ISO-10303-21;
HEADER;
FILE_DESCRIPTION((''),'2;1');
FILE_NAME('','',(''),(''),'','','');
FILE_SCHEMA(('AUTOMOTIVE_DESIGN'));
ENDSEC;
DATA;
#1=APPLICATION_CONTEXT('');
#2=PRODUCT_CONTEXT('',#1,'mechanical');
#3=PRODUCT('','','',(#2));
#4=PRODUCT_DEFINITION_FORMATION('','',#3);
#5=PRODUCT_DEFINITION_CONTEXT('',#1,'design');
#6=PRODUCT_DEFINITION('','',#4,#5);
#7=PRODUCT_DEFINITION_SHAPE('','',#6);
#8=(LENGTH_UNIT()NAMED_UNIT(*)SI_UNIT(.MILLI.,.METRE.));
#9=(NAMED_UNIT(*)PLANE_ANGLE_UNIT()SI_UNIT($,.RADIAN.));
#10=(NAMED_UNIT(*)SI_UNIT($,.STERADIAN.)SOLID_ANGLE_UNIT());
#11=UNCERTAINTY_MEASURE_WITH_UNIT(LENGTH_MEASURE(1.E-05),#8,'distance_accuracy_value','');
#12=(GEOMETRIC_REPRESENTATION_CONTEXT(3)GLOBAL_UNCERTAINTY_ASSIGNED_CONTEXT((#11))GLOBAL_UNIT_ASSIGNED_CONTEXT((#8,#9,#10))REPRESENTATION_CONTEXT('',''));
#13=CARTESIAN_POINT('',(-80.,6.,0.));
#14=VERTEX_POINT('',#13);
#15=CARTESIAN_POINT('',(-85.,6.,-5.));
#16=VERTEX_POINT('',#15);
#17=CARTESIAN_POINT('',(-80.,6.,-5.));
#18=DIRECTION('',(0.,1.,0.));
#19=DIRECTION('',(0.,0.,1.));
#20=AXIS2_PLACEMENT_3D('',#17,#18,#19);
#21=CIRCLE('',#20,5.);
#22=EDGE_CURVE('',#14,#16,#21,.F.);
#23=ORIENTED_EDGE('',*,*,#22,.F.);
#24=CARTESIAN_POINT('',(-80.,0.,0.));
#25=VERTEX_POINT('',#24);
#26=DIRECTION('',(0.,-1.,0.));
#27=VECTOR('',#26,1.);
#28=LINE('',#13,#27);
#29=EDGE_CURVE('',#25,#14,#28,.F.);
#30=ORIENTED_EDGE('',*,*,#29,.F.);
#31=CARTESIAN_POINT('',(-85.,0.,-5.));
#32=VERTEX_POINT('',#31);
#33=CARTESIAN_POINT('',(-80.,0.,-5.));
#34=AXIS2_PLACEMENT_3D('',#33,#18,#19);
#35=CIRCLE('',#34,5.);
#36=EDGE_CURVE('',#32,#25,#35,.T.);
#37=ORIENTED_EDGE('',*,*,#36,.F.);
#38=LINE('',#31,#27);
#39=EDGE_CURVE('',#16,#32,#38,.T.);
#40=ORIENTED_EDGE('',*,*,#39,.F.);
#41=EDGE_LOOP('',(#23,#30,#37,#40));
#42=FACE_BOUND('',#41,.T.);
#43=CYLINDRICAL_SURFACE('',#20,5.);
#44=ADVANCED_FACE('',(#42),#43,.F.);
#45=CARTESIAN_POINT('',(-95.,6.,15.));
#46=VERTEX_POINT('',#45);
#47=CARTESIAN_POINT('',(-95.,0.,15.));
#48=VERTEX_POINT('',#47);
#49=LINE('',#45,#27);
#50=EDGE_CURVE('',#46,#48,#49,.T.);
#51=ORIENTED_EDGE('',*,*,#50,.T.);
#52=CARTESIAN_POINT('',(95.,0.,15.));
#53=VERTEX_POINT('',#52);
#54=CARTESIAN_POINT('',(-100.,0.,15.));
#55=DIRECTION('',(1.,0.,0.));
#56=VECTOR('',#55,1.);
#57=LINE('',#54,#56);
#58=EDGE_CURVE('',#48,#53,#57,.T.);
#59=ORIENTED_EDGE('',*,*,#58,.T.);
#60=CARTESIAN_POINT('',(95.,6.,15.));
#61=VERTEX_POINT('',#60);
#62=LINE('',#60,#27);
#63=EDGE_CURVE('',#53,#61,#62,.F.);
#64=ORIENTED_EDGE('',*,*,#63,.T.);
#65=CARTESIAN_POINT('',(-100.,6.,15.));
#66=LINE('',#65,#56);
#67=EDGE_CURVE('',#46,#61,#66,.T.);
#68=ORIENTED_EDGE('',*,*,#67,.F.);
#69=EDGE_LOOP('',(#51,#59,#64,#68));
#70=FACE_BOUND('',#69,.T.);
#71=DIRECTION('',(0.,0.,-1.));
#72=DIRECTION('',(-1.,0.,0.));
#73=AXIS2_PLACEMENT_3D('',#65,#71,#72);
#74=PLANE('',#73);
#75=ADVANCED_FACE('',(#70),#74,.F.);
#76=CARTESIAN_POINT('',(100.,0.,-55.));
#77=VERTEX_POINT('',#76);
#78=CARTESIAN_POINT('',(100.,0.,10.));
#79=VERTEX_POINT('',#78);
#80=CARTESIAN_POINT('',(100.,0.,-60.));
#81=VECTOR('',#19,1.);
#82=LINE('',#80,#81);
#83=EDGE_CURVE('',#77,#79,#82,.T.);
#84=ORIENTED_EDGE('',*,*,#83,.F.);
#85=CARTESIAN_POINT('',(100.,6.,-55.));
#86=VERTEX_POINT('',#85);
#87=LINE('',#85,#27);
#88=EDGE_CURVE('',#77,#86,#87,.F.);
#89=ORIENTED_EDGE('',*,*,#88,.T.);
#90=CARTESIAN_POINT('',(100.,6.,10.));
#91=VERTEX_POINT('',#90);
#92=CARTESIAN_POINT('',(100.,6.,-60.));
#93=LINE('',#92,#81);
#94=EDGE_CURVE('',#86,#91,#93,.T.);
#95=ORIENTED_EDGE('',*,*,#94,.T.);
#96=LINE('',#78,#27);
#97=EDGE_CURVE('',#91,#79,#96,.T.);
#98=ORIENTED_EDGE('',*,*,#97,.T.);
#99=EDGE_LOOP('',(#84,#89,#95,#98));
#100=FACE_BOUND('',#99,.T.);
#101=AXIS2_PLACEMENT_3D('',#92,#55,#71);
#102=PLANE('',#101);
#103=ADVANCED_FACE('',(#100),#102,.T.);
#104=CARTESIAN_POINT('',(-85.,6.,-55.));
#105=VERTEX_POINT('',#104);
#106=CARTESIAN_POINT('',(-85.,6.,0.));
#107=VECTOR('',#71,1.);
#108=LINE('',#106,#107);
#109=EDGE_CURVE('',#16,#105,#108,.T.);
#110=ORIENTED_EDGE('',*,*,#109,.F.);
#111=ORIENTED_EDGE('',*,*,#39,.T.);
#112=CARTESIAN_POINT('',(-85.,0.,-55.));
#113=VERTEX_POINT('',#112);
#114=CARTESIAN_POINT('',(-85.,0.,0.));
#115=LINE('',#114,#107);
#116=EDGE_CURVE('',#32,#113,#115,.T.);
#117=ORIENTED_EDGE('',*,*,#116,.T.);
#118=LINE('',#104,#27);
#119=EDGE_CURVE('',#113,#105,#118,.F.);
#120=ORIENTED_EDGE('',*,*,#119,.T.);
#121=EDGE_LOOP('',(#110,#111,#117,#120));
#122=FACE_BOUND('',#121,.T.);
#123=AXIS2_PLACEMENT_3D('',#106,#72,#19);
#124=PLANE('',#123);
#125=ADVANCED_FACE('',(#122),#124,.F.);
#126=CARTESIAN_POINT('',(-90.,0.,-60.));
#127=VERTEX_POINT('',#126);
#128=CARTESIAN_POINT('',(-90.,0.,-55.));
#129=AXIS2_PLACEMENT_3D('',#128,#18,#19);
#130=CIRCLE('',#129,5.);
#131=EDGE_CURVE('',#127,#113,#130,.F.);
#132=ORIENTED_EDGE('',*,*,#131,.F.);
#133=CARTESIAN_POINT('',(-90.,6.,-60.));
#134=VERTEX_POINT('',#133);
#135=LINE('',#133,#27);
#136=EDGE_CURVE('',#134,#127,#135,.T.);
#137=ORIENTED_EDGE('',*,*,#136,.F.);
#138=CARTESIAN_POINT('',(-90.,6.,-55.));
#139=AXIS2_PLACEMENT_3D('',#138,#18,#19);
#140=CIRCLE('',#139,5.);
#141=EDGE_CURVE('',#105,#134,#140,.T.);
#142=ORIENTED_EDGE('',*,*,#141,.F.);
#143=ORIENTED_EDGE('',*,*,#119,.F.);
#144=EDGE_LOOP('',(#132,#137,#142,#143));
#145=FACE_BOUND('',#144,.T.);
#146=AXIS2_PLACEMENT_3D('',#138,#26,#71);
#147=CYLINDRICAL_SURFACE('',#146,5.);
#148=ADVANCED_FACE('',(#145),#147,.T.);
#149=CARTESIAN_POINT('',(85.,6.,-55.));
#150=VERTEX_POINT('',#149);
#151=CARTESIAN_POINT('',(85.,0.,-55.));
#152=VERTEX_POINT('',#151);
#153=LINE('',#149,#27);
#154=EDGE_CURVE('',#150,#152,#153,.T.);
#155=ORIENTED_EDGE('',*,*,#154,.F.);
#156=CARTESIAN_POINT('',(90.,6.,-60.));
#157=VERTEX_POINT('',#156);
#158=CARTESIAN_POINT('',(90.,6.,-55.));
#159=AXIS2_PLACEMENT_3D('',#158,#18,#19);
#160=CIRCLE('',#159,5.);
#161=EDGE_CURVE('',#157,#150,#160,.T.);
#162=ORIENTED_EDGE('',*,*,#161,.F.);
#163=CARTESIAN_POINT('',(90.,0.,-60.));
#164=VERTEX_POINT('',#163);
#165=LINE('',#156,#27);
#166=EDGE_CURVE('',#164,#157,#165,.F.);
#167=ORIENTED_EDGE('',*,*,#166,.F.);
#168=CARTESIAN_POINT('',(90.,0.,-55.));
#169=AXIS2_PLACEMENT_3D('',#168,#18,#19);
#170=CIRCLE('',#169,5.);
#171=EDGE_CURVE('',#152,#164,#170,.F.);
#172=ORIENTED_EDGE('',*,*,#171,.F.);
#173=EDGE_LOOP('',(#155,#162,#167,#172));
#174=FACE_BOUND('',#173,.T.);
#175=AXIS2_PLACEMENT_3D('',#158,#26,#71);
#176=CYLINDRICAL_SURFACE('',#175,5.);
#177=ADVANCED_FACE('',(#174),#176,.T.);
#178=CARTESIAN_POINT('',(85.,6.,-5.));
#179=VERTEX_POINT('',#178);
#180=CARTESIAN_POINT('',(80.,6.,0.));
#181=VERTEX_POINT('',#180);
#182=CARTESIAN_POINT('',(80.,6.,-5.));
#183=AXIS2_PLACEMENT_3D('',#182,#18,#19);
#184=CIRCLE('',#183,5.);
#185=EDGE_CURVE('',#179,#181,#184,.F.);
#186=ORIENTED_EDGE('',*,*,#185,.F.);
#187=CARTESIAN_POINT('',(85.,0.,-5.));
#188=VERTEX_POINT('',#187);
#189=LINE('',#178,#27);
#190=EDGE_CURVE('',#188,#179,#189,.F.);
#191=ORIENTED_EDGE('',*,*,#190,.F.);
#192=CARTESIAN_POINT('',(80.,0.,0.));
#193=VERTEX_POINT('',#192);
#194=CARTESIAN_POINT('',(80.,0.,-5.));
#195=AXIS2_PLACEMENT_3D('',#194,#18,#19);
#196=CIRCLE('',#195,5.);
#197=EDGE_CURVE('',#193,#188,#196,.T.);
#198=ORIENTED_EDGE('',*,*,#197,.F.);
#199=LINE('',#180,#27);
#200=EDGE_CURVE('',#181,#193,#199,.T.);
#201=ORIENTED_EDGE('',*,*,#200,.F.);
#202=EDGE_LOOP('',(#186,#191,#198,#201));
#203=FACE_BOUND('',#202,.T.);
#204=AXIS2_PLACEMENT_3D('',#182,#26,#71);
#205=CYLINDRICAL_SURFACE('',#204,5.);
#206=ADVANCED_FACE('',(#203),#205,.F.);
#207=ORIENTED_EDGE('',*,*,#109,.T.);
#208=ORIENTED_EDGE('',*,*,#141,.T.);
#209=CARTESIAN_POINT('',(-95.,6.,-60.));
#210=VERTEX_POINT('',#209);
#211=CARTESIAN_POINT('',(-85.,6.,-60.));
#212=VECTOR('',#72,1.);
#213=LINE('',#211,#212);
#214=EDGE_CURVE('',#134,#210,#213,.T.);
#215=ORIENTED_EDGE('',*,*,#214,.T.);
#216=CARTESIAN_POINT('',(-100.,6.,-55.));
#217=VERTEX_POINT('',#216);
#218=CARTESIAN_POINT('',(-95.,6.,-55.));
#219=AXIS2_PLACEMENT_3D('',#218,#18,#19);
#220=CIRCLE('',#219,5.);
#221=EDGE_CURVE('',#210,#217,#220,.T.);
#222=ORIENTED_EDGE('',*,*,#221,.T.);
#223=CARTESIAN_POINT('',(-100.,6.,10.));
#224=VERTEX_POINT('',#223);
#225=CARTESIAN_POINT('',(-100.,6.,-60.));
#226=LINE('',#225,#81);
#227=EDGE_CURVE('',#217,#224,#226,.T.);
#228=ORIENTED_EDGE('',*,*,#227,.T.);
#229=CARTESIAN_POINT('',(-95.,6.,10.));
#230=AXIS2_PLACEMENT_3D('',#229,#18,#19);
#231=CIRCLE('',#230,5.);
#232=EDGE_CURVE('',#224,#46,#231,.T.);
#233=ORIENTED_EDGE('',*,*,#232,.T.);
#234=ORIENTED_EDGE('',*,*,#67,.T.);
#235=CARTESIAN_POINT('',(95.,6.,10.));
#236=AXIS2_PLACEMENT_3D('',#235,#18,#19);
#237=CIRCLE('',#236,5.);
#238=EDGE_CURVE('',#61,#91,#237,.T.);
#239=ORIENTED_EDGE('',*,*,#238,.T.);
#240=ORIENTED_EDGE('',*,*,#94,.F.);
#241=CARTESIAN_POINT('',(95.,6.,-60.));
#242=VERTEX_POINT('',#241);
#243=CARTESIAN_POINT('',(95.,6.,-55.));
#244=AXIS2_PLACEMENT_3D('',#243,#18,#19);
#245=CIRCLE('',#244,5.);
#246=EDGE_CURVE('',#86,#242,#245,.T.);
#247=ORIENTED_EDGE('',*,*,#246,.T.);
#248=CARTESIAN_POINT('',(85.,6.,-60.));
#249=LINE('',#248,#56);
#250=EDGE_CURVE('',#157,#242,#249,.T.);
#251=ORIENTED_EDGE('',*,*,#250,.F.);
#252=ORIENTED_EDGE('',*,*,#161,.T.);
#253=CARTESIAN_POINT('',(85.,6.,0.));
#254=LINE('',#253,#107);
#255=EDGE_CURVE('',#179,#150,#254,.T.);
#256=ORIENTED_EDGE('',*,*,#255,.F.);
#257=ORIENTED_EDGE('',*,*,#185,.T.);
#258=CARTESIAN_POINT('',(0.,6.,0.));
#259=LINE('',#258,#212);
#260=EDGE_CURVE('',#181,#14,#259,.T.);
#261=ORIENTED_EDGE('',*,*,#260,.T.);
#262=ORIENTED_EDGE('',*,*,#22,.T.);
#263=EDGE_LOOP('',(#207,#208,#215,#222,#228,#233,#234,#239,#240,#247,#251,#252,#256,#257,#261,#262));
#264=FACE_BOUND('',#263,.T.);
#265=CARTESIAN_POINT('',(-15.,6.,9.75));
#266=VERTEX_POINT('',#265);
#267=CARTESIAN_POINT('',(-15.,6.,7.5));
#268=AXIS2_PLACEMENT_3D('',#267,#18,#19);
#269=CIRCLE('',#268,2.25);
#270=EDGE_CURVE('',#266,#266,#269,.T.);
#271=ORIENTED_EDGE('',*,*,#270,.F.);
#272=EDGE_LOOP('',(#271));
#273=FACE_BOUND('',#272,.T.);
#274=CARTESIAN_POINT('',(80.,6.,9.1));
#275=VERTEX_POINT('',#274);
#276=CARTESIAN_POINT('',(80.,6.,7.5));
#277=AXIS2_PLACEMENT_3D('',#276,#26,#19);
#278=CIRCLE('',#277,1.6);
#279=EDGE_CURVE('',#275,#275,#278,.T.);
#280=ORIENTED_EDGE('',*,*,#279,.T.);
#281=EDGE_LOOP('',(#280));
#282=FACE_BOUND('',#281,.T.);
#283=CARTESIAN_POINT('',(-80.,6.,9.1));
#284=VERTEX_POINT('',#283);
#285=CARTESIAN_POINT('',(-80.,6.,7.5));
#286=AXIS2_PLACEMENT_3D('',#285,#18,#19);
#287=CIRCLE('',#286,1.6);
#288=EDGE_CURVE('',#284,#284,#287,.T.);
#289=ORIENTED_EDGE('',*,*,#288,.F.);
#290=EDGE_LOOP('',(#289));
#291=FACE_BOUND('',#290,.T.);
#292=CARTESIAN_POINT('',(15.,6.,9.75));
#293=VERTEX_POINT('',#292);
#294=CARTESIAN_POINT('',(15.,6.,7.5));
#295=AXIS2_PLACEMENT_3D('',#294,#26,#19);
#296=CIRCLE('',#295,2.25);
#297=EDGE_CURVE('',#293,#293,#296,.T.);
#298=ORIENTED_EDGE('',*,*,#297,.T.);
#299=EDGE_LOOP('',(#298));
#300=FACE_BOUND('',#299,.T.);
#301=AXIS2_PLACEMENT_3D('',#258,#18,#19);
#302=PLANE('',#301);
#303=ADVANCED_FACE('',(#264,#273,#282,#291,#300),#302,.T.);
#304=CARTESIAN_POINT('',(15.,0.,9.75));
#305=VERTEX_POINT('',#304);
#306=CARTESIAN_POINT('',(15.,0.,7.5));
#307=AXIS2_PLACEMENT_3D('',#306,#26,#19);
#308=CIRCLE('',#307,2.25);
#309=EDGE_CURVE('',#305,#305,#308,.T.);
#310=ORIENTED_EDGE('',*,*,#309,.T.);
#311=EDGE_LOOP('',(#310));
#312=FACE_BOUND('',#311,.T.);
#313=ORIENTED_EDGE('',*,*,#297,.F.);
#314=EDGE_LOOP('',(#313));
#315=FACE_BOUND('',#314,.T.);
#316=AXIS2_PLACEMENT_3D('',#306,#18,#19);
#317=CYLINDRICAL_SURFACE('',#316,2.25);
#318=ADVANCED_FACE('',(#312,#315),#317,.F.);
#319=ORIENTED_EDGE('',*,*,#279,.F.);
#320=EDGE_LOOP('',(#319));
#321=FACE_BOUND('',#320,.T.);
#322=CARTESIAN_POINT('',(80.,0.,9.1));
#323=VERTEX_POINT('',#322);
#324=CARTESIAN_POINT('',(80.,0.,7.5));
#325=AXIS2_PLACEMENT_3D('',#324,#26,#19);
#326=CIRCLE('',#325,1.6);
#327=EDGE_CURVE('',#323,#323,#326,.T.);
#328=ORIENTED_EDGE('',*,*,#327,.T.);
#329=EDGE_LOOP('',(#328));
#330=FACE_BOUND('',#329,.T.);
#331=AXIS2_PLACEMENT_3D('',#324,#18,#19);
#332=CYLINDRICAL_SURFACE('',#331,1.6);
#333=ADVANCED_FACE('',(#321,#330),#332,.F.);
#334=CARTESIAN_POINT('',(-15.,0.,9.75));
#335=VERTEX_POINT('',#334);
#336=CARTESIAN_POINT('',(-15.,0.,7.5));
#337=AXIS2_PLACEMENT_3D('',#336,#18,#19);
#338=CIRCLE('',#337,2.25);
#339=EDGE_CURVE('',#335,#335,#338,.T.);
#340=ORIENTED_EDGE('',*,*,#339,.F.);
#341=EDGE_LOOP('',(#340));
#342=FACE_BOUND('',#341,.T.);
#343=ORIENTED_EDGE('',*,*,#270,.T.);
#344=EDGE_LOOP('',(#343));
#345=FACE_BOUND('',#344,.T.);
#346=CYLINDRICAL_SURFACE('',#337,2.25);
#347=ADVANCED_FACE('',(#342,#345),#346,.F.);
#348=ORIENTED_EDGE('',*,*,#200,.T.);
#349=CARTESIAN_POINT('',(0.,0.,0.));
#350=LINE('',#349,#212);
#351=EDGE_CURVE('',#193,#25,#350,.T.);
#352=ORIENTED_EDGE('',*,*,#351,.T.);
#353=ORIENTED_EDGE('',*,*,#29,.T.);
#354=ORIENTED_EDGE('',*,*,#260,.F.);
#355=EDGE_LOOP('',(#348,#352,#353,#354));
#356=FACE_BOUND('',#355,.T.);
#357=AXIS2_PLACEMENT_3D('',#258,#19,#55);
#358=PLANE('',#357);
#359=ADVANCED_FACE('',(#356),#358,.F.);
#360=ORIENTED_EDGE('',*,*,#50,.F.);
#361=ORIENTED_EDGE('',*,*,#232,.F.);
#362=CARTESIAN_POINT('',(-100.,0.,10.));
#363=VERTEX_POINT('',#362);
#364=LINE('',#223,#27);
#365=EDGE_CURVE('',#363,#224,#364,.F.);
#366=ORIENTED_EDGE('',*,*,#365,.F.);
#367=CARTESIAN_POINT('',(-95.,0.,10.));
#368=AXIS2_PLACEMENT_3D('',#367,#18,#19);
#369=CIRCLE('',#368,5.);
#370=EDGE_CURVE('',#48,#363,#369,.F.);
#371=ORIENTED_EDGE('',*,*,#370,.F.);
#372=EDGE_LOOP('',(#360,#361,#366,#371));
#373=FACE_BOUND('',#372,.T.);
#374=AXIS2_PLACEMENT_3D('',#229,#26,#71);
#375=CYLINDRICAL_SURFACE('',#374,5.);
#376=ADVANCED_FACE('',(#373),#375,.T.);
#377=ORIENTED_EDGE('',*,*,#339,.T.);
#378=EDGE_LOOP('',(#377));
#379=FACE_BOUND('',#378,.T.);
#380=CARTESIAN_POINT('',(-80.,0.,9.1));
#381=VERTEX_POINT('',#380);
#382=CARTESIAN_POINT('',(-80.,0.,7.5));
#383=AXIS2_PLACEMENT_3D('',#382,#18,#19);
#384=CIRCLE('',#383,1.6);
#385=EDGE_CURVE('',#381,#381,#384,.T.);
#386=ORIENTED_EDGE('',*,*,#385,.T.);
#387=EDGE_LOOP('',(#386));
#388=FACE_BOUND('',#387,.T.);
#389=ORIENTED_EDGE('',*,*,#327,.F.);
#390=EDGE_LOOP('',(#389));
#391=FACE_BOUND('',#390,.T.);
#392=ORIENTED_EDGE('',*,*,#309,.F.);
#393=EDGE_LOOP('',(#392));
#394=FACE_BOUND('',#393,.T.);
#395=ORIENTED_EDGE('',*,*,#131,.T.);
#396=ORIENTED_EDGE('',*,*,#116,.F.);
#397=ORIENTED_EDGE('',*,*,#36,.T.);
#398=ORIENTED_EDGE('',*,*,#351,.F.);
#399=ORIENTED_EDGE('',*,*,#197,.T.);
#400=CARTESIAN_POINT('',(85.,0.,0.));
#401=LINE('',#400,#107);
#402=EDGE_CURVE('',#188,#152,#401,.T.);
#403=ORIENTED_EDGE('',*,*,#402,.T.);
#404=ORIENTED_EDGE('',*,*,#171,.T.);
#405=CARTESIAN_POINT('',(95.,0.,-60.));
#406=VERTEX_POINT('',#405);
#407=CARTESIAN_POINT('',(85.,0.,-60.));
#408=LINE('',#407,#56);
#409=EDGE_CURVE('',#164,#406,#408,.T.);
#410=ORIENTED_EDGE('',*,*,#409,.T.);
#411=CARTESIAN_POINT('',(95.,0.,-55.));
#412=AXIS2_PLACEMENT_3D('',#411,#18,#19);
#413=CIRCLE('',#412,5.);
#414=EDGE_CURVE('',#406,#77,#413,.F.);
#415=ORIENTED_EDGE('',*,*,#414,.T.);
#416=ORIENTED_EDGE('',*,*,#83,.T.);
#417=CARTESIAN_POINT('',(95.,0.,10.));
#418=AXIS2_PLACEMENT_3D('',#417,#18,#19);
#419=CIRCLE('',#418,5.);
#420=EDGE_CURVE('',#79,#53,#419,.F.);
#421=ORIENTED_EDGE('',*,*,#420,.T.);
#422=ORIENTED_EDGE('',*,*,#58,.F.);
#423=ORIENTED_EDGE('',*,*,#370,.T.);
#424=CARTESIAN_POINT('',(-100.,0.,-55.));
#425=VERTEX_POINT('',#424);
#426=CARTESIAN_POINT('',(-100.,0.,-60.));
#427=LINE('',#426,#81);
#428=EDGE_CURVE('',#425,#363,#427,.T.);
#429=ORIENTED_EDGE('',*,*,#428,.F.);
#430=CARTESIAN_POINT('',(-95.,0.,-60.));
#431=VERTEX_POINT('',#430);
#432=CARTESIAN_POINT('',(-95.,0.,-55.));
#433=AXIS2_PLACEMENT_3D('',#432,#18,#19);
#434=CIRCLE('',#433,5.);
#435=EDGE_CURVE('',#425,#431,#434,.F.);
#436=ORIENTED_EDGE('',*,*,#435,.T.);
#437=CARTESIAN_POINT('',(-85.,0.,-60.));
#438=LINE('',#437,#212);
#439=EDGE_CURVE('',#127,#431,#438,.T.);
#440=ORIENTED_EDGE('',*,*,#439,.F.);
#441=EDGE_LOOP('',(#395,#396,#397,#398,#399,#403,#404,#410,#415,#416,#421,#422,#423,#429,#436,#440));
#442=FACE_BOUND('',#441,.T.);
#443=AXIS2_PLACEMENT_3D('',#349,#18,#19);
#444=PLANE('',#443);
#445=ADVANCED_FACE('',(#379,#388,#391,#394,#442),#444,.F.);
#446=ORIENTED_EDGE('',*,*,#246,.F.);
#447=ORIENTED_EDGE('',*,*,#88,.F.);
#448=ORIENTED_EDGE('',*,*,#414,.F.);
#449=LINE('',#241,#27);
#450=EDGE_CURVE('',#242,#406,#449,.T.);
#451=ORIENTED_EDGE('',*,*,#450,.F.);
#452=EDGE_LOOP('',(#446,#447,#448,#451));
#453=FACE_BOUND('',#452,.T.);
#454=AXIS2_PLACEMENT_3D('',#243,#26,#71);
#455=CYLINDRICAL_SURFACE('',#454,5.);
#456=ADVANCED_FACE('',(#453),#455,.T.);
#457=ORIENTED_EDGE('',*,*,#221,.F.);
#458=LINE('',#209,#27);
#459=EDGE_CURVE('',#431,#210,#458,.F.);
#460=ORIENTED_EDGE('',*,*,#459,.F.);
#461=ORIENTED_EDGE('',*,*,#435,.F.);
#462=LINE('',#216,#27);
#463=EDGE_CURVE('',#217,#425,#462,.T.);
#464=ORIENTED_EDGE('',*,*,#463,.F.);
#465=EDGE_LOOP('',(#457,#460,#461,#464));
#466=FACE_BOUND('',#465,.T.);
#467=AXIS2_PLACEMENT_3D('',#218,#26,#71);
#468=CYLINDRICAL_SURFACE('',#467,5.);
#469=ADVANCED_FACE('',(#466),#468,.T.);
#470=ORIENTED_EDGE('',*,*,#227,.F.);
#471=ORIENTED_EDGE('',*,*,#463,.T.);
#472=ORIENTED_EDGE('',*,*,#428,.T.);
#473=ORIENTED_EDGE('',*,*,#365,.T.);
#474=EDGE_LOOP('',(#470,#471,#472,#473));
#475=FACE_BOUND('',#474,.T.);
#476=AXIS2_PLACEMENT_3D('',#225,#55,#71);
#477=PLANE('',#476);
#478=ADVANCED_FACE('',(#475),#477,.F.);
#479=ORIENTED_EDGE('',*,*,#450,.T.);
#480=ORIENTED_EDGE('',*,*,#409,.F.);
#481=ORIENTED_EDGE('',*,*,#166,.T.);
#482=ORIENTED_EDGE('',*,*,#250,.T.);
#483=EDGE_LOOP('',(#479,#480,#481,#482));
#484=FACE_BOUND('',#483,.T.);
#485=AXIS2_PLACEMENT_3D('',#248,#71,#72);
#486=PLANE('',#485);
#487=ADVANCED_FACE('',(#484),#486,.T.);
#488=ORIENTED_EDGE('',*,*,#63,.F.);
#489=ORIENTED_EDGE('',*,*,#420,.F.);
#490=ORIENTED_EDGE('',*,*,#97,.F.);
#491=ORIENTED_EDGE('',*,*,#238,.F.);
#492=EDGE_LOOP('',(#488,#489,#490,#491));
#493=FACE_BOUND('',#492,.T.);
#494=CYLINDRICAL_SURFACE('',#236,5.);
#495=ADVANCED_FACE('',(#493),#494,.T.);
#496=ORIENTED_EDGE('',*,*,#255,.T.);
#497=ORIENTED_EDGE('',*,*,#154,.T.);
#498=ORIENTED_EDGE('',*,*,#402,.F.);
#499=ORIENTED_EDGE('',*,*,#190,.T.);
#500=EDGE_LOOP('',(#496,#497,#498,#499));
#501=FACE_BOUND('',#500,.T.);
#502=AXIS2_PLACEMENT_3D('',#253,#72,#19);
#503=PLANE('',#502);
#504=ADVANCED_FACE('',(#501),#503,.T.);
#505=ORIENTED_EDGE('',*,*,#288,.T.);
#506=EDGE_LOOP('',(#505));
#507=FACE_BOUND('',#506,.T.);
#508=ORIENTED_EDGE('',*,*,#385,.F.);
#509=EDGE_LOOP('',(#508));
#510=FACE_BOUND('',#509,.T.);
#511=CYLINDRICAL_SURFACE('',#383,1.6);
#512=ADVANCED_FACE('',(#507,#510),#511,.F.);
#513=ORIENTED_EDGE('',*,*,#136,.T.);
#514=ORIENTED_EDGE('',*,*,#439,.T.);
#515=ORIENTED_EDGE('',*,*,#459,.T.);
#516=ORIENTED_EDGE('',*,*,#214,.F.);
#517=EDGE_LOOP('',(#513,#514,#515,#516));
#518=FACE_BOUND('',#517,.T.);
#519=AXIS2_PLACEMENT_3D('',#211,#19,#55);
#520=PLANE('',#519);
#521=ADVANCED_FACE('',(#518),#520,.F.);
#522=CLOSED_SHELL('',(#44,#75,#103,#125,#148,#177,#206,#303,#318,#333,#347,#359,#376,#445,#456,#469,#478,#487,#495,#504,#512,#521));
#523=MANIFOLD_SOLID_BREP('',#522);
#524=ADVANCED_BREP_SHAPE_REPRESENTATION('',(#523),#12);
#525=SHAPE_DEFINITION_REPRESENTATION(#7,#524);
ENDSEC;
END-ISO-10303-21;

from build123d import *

# Parameters (mm, degrees)
BOSS_EXTRUDE1_DEPTH  = 6
FILLET1_R            = 5
SKETCH2_R            = 2.25
SKETCH2_R_2          = 1.6
CUT_EXTRUDE1_DEPTH   = 117.773284616
FILLET1_OF_MIRROR1_R = 5


with BuildPart() as part:
    # Sketch1 → Boss-Extrude1 (new body)
    with BuildSketch(Plane(origin=(0, 0, 0), x_dir=(1, 0, 0), z_dir=(0, 1, 0))):
        Polygon((0, 0), (-85, 0), (-85, 60), (-100, 60), (-100, -15), (0, -15), align=None)
    boss_extrude1 = extrude(amount=BOSS_EXTRUDE1_DEPTH)

    # Fillet1
    fillet1_edges = [part.edges().sort_by_distance(p)[0] for p in [
        (-100, 3, 15),
        (-100, 3, -60),
        (-85, 3, -60),
        (-85, 3, 0),
    ]]
    fillet(fillet1_edges, radius=FILLET1_R)

    # Sketch2 → Cut-Extrude1 (cut, through all)
    with BuildSketch(Plane(origin=(0, 6, 0), x_dir=(1, 0, 0), z_dir=(0, 1, 0))):
        with Locations(Location((-15, -7.5, 0), (0, 0, 270))):
            Circle(SKETCH2_R)
        with Locations(Location((-80, -7.5, 0), (0, 0, 270))):
            Circle(SKETCH2_R_2)
    cut_extrude1 = extrude(amount=-CUT_EXTRUDE1_DEPTH, mode=Mode.SUBTRACT)

    # Mirror1: Boss-Extrude1, Cut-Extrude1 across plane
    add(boss_extrude1.mirror(Plane(origin=(0, 0, 0), x_dir=(0, 0, 1), z_dir=(1, 0, 0))))
    add(cut_extrude1.mirror(Plane(origin=(0, 0, 0), x_dir=(0, 0, 1), z_dir=(1, 0, 0))), mode=Mode.SUBTRACT)

    # Fillet1 of Mirror1
    fillet1_of_mirror1_edges = [part.edges().sort_by_distance(p)[0] for p in [
        (100, 3, 15),
        (100, 3, -60),
        (85, 3, -60),
        (85, 3, 0),
    ]]
    fillet(fillet1_of_mirror1_edges, radius=FILLET1_OF_MIRROR1_R)


solid = part.part
